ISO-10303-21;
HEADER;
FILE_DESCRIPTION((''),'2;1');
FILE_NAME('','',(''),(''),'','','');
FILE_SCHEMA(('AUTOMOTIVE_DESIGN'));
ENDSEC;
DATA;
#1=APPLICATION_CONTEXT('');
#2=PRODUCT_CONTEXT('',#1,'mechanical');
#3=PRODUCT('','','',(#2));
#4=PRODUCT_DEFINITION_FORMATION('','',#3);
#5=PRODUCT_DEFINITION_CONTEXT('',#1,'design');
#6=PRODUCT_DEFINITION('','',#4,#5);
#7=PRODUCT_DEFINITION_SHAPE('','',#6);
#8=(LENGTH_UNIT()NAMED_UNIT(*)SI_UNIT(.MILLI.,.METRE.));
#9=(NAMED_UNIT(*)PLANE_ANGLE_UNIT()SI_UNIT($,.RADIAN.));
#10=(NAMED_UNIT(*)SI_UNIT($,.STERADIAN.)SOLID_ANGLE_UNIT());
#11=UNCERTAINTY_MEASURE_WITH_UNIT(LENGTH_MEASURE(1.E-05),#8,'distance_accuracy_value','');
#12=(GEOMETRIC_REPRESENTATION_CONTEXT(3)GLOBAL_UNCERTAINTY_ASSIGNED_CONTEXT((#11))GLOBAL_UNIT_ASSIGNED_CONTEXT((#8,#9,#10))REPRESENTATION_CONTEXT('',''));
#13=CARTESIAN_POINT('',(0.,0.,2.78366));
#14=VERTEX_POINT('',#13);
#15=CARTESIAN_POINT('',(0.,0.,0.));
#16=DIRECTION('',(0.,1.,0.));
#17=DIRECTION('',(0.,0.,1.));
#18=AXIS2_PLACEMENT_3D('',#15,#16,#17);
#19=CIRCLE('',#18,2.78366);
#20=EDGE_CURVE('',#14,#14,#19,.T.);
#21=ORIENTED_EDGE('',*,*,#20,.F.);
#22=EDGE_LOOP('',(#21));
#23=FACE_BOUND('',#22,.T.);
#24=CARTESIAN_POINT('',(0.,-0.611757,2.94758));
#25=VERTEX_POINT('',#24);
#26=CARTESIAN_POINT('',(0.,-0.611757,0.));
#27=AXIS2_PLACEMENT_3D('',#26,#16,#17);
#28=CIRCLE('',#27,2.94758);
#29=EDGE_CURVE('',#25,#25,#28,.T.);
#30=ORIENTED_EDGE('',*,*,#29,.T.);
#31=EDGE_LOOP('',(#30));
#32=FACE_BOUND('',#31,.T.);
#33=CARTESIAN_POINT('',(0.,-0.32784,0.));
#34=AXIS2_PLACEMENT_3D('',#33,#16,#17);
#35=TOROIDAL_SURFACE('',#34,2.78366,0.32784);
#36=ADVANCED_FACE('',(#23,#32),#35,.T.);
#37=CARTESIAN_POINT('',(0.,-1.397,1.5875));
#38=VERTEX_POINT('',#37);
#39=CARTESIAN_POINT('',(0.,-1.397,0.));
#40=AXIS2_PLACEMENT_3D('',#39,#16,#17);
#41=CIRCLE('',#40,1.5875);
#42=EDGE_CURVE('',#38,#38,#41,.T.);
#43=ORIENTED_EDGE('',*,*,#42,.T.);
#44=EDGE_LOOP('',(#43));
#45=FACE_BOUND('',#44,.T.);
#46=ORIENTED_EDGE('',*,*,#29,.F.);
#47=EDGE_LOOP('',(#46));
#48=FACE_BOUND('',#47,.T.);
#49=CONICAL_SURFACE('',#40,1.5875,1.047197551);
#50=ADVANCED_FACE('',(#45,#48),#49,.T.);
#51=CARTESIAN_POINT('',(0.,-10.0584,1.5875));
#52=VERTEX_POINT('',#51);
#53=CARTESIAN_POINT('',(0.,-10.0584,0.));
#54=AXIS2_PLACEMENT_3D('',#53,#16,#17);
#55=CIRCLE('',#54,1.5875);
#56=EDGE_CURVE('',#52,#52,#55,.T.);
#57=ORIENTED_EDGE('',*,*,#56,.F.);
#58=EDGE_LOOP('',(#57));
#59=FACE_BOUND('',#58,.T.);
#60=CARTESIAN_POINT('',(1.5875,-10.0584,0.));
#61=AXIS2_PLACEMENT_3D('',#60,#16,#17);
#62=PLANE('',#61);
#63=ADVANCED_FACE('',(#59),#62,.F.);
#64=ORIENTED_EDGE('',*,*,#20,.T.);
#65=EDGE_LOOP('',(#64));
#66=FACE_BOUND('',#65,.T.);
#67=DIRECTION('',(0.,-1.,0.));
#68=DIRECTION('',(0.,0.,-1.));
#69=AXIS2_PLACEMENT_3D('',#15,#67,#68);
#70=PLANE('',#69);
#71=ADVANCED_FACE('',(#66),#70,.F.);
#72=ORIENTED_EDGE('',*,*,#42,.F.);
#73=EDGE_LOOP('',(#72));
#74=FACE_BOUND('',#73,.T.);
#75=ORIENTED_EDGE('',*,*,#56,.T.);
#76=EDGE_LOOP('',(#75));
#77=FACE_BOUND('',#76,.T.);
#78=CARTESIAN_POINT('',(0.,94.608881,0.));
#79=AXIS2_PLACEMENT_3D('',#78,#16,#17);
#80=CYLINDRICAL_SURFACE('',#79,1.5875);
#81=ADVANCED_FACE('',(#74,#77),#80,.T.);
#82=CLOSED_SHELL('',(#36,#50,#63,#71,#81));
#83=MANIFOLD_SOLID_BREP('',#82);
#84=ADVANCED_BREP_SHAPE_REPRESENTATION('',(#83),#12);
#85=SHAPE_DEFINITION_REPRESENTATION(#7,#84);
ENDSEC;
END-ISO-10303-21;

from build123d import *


with BuildPart() as part:
    # Sketch2 → Revolve1 (revolve)
    with BuildSketch(Plane.XY, mode=Mode.PRIVATE) as revolve1_sk:
        with BuildLine():
            Line((1.5875, -1.397), (1.5875, -10.0584))
            Line((1.5875, -10.0584), (0, -10.0584))
            Line((0, -10.0584), (0, 0))
            Line((0, 0), (2.783660204, 0))
            ThreePointArc((2.783660204, 0), (3.10032913, -0.242988613), (2.947580102, -0.611757387))
            Line((2.947580102, -0.611757387), (1.5875, -1.397))
        make_face()
    revolve(revolve1_sk.sketch.rotate(Axis((0, 94.608881441, 0), (0, -1, 0)), 90), axis=Axis((0, 94.608881441, 0), (0, -1, 0)))


solid = part.part
